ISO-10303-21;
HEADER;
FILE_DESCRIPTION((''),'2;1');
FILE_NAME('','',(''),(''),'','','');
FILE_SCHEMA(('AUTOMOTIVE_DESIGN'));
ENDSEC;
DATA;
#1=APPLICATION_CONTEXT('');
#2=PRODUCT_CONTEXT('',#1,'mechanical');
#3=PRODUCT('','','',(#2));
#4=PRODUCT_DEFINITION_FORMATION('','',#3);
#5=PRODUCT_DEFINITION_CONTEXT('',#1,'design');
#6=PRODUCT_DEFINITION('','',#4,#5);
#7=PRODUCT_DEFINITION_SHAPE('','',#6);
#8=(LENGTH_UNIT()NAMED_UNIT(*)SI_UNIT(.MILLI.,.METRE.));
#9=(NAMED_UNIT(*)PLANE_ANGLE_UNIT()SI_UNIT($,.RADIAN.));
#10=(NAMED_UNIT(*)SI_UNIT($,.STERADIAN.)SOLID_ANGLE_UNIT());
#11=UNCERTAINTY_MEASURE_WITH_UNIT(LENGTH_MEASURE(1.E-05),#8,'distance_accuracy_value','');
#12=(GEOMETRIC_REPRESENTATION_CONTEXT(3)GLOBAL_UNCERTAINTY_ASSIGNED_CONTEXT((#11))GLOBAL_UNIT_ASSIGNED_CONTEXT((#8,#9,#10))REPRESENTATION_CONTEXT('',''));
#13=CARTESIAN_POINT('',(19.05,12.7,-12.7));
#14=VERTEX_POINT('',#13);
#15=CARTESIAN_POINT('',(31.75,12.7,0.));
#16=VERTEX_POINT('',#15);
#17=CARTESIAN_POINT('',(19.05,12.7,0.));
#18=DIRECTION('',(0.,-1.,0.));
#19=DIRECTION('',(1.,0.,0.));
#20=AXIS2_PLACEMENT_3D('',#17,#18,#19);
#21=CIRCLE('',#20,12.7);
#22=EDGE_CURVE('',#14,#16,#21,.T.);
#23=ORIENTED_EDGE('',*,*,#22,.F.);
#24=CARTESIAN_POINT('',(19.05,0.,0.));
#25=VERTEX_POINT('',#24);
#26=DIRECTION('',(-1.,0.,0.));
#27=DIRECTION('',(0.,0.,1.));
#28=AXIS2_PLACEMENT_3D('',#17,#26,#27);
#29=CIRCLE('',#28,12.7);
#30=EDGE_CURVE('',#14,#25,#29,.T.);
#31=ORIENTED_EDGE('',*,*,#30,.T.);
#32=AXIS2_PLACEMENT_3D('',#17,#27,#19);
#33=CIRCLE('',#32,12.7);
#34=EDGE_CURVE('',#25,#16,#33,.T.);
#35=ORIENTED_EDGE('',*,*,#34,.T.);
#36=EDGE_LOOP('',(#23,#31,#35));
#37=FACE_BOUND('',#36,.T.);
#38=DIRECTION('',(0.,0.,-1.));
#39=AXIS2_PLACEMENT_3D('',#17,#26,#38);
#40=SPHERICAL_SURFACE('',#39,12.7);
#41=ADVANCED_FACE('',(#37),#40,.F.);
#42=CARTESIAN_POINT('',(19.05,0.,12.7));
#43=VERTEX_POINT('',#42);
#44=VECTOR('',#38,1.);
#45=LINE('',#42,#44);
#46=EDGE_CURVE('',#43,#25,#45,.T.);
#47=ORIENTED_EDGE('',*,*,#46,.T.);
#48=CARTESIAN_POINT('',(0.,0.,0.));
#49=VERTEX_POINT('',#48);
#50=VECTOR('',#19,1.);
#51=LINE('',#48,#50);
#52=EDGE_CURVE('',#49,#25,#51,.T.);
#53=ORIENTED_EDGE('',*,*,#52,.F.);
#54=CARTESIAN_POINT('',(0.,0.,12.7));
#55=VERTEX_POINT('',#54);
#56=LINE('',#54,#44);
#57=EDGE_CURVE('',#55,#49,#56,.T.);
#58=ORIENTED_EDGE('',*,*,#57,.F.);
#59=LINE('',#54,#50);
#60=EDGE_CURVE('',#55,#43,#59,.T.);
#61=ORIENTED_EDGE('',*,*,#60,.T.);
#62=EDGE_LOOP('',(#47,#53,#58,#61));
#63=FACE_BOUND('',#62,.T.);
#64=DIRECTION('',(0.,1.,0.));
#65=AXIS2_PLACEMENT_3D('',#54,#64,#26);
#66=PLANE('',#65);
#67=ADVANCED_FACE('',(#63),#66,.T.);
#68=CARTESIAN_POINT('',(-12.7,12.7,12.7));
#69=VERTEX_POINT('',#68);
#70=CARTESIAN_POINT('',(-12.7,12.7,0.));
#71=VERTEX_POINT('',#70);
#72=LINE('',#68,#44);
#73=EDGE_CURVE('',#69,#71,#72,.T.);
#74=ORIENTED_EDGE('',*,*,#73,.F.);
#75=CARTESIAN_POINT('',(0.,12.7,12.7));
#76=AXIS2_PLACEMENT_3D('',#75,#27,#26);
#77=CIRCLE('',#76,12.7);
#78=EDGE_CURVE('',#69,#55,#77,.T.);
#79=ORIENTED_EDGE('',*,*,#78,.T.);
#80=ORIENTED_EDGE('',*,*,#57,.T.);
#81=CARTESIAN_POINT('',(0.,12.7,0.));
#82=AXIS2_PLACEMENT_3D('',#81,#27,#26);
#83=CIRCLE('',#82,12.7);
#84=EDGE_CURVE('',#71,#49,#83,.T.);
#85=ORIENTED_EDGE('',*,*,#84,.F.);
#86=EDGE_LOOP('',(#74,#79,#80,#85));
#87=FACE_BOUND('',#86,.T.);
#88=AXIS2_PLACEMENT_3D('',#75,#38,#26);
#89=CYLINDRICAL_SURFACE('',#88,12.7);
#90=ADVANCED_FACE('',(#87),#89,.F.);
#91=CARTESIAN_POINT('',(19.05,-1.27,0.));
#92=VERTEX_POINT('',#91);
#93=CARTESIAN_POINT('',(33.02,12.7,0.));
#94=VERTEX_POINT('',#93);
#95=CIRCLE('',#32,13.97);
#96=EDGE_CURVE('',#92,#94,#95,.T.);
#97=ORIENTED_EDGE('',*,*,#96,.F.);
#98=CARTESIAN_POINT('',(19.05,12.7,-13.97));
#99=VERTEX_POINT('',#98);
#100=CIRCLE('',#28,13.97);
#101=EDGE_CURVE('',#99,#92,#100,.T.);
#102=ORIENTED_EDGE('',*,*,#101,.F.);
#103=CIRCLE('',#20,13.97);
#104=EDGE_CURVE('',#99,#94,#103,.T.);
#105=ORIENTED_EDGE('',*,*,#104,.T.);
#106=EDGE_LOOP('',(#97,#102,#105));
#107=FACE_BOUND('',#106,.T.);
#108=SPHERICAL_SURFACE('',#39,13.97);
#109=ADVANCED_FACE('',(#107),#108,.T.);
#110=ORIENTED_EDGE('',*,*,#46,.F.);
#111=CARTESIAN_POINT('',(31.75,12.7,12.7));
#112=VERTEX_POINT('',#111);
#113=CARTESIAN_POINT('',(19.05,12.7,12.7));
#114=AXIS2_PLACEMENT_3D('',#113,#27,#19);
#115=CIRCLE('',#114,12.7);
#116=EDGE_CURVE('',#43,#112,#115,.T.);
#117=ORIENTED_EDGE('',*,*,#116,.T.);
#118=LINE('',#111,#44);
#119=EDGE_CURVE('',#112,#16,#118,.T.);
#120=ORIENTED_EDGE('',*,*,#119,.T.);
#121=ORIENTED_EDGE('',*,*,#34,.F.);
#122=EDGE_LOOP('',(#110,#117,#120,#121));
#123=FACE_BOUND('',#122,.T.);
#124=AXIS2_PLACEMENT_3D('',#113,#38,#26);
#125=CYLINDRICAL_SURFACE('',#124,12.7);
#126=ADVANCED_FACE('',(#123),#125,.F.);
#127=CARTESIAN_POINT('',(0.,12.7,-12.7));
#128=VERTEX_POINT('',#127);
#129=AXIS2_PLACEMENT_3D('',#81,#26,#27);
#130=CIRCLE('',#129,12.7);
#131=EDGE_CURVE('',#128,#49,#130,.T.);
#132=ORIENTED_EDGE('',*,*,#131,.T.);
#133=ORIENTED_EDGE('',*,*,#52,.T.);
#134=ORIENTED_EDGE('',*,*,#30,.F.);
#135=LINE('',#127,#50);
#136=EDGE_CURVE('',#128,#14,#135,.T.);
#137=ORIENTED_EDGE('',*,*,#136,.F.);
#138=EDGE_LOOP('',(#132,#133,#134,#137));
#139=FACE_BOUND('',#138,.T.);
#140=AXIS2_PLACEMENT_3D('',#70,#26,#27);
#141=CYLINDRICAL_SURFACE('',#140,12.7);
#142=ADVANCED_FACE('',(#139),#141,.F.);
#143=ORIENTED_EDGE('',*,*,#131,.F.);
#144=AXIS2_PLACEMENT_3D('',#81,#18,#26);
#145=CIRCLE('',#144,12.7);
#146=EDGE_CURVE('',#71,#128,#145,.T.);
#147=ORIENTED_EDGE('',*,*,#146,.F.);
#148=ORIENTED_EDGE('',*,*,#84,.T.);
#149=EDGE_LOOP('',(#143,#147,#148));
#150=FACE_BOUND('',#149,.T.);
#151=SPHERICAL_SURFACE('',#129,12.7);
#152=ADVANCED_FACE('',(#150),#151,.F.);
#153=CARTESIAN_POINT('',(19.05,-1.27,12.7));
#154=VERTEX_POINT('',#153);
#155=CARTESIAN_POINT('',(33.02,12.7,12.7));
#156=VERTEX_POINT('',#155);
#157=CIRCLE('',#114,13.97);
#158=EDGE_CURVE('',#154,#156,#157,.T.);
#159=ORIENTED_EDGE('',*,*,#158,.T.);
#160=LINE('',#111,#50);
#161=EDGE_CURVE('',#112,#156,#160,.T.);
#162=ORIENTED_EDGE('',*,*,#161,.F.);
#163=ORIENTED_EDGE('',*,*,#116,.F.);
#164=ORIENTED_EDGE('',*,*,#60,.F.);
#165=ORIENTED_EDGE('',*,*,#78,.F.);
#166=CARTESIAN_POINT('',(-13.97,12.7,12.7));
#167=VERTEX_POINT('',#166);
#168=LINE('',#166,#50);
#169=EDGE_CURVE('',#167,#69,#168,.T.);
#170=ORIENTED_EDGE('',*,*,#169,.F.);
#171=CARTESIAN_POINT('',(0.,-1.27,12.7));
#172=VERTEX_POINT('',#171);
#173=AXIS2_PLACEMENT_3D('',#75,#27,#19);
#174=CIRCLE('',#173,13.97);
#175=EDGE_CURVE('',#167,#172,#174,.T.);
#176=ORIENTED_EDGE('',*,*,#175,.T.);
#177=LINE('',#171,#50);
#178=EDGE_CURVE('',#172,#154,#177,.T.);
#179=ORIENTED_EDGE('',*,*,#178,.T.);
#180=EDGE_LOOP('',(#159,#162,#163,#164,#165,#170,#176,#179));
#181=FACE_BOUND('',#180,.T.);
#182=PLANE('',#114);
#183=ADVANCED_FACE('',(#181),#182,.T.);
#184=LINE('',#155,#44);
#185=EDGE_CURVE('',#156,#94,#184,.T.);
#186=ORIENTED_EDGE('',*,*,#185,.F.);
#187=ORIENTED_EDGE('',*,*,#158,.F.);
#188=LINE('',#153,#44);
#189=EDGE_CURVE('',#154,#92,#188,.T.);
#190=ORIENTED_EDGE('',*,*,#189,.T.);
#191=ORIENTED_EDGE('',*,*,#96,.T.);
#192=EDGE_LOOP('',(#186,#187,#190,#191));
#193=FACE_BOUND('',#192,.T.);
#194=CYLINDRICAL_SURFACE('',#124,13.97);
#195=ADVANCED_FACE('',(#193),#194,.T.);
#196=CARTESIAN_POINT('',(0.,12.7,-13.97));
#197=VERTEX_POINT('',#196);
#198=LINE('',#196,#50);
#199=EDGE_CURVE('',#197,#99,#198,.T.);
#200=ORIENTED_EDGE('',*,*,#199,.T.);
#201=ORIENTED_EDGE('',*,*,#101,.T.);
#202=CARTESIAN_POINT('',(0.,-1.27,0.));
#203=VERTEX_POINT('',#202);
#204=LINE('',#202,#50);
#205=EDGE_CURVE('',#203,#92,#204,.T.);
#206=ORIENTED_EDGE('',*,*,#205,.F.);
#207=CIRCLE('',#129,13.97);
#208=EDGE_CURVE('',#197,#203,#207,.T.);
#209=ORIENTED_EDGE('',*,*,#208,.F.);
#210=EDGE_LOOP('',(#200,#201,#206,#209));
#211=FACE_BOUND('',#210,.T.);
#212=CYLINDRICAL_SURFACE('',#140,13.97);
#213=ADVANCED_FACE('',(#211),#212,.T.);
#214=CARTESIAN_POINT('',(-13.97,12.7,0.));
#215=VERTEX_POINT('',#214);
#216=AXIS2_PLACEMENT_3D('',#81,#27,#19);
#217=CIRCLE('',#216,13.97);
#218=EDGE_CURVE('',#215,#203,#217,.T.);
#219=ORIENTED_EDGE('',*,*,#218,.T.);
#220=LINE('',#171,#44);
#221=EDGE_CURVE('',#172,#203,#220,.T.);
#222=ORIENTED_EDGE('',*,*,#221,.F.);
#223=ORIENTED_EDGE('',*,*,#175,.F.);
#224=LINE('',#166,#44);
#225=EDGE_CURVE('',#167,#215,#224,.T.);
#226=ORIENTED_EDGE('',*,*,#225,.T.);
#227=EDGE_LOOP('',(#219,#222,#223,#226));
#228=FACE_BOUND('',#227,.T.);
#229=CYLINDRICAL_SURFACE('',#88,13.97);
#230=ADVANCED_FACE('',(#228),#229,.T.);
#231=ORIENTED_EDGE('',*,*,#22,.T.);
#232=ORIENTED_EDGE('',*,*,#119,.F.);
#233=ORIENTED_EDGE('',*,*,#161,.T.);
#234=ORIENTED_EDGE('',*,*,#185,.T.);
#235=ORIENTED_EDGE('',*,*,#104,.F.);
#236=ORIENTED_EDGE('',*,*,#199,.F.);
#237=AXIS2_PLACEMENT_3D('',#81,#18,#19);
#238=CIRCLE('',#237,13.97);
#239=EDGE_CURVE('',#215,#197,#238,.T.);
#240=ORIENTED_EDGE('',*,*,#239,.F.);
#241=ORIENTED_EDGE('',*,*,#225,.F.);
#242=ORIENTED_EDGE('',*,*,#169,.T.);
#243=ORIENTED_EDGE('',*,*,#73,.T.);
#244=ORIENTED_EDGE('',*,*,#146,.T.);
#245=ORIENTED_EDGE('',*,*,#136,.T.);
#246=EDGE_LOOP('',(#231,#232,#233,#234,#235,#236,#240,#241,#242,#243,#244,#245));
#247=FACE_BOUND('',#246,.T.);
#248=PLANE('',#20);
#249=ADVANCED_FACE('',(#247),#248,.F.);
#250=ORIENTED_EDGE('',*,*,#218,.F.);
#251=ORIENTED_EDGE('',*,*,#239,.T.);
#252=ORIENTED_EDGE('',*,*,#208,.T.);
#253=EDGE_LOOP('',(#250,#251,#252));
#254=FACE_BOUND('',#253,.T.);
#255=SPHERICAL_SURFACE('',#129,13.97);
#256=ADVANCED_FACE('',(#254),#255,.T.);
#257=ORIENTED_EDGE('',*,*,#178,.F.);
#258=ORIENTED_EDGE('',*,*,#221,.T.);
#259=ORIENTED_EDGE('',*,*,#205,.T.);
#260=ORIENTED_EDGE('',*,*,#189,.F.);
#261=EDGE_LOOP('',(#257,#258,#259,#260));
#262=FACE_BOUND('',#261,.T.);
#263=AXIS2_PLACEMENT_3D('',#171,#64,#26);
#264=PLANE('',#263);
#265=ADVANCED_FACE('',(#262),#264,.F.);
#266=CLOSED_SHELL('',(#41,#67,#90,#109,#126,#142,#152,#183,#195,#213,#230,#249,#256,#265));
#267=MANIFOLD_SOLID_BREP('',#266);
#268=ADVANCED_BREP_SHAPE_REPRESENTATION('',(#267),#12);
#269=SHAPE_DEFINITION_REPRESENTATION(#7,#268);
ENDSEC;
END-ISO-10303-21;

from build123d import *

# Parameters (mm, degrees)
REVOLVE_THIN1_ANGLE = 90
EXTRUDE_THIN1_DEPTH = 12.7


with BuildPart() as part:
    # Sketch1 → Revolve-Thin1 (revolve)
    with BuildSketch(Plane.XY):
        with BuildLine():
            ThreePointArc((-12.7, 12.7), (-8.980256121, 3.719743879), (0, 0))
            Line((0, 0), (19.05, 0))
            ThreePointArc((19.05, 0), (28.030256121, 3.719743879), (31.75, 12.7))
            Line((31.75, 12.7), (33.02, 12.7))
            ThreePointArc((33.02, 12.7), (28.928281733, 2.821718267), (19.05, -1.27))
            Line((19.05, -1.27), (0, -1.27))
            ThreePointArc((0, -1.27), (-9.878281733, 2.821718267), (-13.97, 12.7))
            Line((-13.97, 12.7), (-12.7, 12.7))
        make_face()
    revolve(axis=Axis((-12.7, 12.7, 0), (1, 0, 0)), revolution_arc=REVOLVE_THIN1_ANGLE)

    # Sketch1<2> → Extrude-Thin1 (add)
    with BuildSketch(Plane.XY):
        with BuildLine():
            ThreePointArc((-12.7, 12.7), (-8.980256121, 3.719743879), (0, 0))
            Line((0, 0), (19.05, 0))
            ThreePointArc((19.05, 0), (28.030256121, 3.719743879), (31.75, 12.7))
            Line((31.75, 12.7), (33.02, 12.7))
            ThreePointArc((33.02, 12.7), (28.928281733, 2.821718267), (19.05, -1.27))
            Line((19.05, -1.27), (0, -1.27))
            ThreePointArc((0, -1.27), (-9.878281733, 2.821718267), (-13.97, 12.7))
            Line((-13.97, 12.7), (-12.7, 12.7))
        make_face()
    extrude(amount=EXTRUDE_THIN1_DEPTH)


solid = part.part
